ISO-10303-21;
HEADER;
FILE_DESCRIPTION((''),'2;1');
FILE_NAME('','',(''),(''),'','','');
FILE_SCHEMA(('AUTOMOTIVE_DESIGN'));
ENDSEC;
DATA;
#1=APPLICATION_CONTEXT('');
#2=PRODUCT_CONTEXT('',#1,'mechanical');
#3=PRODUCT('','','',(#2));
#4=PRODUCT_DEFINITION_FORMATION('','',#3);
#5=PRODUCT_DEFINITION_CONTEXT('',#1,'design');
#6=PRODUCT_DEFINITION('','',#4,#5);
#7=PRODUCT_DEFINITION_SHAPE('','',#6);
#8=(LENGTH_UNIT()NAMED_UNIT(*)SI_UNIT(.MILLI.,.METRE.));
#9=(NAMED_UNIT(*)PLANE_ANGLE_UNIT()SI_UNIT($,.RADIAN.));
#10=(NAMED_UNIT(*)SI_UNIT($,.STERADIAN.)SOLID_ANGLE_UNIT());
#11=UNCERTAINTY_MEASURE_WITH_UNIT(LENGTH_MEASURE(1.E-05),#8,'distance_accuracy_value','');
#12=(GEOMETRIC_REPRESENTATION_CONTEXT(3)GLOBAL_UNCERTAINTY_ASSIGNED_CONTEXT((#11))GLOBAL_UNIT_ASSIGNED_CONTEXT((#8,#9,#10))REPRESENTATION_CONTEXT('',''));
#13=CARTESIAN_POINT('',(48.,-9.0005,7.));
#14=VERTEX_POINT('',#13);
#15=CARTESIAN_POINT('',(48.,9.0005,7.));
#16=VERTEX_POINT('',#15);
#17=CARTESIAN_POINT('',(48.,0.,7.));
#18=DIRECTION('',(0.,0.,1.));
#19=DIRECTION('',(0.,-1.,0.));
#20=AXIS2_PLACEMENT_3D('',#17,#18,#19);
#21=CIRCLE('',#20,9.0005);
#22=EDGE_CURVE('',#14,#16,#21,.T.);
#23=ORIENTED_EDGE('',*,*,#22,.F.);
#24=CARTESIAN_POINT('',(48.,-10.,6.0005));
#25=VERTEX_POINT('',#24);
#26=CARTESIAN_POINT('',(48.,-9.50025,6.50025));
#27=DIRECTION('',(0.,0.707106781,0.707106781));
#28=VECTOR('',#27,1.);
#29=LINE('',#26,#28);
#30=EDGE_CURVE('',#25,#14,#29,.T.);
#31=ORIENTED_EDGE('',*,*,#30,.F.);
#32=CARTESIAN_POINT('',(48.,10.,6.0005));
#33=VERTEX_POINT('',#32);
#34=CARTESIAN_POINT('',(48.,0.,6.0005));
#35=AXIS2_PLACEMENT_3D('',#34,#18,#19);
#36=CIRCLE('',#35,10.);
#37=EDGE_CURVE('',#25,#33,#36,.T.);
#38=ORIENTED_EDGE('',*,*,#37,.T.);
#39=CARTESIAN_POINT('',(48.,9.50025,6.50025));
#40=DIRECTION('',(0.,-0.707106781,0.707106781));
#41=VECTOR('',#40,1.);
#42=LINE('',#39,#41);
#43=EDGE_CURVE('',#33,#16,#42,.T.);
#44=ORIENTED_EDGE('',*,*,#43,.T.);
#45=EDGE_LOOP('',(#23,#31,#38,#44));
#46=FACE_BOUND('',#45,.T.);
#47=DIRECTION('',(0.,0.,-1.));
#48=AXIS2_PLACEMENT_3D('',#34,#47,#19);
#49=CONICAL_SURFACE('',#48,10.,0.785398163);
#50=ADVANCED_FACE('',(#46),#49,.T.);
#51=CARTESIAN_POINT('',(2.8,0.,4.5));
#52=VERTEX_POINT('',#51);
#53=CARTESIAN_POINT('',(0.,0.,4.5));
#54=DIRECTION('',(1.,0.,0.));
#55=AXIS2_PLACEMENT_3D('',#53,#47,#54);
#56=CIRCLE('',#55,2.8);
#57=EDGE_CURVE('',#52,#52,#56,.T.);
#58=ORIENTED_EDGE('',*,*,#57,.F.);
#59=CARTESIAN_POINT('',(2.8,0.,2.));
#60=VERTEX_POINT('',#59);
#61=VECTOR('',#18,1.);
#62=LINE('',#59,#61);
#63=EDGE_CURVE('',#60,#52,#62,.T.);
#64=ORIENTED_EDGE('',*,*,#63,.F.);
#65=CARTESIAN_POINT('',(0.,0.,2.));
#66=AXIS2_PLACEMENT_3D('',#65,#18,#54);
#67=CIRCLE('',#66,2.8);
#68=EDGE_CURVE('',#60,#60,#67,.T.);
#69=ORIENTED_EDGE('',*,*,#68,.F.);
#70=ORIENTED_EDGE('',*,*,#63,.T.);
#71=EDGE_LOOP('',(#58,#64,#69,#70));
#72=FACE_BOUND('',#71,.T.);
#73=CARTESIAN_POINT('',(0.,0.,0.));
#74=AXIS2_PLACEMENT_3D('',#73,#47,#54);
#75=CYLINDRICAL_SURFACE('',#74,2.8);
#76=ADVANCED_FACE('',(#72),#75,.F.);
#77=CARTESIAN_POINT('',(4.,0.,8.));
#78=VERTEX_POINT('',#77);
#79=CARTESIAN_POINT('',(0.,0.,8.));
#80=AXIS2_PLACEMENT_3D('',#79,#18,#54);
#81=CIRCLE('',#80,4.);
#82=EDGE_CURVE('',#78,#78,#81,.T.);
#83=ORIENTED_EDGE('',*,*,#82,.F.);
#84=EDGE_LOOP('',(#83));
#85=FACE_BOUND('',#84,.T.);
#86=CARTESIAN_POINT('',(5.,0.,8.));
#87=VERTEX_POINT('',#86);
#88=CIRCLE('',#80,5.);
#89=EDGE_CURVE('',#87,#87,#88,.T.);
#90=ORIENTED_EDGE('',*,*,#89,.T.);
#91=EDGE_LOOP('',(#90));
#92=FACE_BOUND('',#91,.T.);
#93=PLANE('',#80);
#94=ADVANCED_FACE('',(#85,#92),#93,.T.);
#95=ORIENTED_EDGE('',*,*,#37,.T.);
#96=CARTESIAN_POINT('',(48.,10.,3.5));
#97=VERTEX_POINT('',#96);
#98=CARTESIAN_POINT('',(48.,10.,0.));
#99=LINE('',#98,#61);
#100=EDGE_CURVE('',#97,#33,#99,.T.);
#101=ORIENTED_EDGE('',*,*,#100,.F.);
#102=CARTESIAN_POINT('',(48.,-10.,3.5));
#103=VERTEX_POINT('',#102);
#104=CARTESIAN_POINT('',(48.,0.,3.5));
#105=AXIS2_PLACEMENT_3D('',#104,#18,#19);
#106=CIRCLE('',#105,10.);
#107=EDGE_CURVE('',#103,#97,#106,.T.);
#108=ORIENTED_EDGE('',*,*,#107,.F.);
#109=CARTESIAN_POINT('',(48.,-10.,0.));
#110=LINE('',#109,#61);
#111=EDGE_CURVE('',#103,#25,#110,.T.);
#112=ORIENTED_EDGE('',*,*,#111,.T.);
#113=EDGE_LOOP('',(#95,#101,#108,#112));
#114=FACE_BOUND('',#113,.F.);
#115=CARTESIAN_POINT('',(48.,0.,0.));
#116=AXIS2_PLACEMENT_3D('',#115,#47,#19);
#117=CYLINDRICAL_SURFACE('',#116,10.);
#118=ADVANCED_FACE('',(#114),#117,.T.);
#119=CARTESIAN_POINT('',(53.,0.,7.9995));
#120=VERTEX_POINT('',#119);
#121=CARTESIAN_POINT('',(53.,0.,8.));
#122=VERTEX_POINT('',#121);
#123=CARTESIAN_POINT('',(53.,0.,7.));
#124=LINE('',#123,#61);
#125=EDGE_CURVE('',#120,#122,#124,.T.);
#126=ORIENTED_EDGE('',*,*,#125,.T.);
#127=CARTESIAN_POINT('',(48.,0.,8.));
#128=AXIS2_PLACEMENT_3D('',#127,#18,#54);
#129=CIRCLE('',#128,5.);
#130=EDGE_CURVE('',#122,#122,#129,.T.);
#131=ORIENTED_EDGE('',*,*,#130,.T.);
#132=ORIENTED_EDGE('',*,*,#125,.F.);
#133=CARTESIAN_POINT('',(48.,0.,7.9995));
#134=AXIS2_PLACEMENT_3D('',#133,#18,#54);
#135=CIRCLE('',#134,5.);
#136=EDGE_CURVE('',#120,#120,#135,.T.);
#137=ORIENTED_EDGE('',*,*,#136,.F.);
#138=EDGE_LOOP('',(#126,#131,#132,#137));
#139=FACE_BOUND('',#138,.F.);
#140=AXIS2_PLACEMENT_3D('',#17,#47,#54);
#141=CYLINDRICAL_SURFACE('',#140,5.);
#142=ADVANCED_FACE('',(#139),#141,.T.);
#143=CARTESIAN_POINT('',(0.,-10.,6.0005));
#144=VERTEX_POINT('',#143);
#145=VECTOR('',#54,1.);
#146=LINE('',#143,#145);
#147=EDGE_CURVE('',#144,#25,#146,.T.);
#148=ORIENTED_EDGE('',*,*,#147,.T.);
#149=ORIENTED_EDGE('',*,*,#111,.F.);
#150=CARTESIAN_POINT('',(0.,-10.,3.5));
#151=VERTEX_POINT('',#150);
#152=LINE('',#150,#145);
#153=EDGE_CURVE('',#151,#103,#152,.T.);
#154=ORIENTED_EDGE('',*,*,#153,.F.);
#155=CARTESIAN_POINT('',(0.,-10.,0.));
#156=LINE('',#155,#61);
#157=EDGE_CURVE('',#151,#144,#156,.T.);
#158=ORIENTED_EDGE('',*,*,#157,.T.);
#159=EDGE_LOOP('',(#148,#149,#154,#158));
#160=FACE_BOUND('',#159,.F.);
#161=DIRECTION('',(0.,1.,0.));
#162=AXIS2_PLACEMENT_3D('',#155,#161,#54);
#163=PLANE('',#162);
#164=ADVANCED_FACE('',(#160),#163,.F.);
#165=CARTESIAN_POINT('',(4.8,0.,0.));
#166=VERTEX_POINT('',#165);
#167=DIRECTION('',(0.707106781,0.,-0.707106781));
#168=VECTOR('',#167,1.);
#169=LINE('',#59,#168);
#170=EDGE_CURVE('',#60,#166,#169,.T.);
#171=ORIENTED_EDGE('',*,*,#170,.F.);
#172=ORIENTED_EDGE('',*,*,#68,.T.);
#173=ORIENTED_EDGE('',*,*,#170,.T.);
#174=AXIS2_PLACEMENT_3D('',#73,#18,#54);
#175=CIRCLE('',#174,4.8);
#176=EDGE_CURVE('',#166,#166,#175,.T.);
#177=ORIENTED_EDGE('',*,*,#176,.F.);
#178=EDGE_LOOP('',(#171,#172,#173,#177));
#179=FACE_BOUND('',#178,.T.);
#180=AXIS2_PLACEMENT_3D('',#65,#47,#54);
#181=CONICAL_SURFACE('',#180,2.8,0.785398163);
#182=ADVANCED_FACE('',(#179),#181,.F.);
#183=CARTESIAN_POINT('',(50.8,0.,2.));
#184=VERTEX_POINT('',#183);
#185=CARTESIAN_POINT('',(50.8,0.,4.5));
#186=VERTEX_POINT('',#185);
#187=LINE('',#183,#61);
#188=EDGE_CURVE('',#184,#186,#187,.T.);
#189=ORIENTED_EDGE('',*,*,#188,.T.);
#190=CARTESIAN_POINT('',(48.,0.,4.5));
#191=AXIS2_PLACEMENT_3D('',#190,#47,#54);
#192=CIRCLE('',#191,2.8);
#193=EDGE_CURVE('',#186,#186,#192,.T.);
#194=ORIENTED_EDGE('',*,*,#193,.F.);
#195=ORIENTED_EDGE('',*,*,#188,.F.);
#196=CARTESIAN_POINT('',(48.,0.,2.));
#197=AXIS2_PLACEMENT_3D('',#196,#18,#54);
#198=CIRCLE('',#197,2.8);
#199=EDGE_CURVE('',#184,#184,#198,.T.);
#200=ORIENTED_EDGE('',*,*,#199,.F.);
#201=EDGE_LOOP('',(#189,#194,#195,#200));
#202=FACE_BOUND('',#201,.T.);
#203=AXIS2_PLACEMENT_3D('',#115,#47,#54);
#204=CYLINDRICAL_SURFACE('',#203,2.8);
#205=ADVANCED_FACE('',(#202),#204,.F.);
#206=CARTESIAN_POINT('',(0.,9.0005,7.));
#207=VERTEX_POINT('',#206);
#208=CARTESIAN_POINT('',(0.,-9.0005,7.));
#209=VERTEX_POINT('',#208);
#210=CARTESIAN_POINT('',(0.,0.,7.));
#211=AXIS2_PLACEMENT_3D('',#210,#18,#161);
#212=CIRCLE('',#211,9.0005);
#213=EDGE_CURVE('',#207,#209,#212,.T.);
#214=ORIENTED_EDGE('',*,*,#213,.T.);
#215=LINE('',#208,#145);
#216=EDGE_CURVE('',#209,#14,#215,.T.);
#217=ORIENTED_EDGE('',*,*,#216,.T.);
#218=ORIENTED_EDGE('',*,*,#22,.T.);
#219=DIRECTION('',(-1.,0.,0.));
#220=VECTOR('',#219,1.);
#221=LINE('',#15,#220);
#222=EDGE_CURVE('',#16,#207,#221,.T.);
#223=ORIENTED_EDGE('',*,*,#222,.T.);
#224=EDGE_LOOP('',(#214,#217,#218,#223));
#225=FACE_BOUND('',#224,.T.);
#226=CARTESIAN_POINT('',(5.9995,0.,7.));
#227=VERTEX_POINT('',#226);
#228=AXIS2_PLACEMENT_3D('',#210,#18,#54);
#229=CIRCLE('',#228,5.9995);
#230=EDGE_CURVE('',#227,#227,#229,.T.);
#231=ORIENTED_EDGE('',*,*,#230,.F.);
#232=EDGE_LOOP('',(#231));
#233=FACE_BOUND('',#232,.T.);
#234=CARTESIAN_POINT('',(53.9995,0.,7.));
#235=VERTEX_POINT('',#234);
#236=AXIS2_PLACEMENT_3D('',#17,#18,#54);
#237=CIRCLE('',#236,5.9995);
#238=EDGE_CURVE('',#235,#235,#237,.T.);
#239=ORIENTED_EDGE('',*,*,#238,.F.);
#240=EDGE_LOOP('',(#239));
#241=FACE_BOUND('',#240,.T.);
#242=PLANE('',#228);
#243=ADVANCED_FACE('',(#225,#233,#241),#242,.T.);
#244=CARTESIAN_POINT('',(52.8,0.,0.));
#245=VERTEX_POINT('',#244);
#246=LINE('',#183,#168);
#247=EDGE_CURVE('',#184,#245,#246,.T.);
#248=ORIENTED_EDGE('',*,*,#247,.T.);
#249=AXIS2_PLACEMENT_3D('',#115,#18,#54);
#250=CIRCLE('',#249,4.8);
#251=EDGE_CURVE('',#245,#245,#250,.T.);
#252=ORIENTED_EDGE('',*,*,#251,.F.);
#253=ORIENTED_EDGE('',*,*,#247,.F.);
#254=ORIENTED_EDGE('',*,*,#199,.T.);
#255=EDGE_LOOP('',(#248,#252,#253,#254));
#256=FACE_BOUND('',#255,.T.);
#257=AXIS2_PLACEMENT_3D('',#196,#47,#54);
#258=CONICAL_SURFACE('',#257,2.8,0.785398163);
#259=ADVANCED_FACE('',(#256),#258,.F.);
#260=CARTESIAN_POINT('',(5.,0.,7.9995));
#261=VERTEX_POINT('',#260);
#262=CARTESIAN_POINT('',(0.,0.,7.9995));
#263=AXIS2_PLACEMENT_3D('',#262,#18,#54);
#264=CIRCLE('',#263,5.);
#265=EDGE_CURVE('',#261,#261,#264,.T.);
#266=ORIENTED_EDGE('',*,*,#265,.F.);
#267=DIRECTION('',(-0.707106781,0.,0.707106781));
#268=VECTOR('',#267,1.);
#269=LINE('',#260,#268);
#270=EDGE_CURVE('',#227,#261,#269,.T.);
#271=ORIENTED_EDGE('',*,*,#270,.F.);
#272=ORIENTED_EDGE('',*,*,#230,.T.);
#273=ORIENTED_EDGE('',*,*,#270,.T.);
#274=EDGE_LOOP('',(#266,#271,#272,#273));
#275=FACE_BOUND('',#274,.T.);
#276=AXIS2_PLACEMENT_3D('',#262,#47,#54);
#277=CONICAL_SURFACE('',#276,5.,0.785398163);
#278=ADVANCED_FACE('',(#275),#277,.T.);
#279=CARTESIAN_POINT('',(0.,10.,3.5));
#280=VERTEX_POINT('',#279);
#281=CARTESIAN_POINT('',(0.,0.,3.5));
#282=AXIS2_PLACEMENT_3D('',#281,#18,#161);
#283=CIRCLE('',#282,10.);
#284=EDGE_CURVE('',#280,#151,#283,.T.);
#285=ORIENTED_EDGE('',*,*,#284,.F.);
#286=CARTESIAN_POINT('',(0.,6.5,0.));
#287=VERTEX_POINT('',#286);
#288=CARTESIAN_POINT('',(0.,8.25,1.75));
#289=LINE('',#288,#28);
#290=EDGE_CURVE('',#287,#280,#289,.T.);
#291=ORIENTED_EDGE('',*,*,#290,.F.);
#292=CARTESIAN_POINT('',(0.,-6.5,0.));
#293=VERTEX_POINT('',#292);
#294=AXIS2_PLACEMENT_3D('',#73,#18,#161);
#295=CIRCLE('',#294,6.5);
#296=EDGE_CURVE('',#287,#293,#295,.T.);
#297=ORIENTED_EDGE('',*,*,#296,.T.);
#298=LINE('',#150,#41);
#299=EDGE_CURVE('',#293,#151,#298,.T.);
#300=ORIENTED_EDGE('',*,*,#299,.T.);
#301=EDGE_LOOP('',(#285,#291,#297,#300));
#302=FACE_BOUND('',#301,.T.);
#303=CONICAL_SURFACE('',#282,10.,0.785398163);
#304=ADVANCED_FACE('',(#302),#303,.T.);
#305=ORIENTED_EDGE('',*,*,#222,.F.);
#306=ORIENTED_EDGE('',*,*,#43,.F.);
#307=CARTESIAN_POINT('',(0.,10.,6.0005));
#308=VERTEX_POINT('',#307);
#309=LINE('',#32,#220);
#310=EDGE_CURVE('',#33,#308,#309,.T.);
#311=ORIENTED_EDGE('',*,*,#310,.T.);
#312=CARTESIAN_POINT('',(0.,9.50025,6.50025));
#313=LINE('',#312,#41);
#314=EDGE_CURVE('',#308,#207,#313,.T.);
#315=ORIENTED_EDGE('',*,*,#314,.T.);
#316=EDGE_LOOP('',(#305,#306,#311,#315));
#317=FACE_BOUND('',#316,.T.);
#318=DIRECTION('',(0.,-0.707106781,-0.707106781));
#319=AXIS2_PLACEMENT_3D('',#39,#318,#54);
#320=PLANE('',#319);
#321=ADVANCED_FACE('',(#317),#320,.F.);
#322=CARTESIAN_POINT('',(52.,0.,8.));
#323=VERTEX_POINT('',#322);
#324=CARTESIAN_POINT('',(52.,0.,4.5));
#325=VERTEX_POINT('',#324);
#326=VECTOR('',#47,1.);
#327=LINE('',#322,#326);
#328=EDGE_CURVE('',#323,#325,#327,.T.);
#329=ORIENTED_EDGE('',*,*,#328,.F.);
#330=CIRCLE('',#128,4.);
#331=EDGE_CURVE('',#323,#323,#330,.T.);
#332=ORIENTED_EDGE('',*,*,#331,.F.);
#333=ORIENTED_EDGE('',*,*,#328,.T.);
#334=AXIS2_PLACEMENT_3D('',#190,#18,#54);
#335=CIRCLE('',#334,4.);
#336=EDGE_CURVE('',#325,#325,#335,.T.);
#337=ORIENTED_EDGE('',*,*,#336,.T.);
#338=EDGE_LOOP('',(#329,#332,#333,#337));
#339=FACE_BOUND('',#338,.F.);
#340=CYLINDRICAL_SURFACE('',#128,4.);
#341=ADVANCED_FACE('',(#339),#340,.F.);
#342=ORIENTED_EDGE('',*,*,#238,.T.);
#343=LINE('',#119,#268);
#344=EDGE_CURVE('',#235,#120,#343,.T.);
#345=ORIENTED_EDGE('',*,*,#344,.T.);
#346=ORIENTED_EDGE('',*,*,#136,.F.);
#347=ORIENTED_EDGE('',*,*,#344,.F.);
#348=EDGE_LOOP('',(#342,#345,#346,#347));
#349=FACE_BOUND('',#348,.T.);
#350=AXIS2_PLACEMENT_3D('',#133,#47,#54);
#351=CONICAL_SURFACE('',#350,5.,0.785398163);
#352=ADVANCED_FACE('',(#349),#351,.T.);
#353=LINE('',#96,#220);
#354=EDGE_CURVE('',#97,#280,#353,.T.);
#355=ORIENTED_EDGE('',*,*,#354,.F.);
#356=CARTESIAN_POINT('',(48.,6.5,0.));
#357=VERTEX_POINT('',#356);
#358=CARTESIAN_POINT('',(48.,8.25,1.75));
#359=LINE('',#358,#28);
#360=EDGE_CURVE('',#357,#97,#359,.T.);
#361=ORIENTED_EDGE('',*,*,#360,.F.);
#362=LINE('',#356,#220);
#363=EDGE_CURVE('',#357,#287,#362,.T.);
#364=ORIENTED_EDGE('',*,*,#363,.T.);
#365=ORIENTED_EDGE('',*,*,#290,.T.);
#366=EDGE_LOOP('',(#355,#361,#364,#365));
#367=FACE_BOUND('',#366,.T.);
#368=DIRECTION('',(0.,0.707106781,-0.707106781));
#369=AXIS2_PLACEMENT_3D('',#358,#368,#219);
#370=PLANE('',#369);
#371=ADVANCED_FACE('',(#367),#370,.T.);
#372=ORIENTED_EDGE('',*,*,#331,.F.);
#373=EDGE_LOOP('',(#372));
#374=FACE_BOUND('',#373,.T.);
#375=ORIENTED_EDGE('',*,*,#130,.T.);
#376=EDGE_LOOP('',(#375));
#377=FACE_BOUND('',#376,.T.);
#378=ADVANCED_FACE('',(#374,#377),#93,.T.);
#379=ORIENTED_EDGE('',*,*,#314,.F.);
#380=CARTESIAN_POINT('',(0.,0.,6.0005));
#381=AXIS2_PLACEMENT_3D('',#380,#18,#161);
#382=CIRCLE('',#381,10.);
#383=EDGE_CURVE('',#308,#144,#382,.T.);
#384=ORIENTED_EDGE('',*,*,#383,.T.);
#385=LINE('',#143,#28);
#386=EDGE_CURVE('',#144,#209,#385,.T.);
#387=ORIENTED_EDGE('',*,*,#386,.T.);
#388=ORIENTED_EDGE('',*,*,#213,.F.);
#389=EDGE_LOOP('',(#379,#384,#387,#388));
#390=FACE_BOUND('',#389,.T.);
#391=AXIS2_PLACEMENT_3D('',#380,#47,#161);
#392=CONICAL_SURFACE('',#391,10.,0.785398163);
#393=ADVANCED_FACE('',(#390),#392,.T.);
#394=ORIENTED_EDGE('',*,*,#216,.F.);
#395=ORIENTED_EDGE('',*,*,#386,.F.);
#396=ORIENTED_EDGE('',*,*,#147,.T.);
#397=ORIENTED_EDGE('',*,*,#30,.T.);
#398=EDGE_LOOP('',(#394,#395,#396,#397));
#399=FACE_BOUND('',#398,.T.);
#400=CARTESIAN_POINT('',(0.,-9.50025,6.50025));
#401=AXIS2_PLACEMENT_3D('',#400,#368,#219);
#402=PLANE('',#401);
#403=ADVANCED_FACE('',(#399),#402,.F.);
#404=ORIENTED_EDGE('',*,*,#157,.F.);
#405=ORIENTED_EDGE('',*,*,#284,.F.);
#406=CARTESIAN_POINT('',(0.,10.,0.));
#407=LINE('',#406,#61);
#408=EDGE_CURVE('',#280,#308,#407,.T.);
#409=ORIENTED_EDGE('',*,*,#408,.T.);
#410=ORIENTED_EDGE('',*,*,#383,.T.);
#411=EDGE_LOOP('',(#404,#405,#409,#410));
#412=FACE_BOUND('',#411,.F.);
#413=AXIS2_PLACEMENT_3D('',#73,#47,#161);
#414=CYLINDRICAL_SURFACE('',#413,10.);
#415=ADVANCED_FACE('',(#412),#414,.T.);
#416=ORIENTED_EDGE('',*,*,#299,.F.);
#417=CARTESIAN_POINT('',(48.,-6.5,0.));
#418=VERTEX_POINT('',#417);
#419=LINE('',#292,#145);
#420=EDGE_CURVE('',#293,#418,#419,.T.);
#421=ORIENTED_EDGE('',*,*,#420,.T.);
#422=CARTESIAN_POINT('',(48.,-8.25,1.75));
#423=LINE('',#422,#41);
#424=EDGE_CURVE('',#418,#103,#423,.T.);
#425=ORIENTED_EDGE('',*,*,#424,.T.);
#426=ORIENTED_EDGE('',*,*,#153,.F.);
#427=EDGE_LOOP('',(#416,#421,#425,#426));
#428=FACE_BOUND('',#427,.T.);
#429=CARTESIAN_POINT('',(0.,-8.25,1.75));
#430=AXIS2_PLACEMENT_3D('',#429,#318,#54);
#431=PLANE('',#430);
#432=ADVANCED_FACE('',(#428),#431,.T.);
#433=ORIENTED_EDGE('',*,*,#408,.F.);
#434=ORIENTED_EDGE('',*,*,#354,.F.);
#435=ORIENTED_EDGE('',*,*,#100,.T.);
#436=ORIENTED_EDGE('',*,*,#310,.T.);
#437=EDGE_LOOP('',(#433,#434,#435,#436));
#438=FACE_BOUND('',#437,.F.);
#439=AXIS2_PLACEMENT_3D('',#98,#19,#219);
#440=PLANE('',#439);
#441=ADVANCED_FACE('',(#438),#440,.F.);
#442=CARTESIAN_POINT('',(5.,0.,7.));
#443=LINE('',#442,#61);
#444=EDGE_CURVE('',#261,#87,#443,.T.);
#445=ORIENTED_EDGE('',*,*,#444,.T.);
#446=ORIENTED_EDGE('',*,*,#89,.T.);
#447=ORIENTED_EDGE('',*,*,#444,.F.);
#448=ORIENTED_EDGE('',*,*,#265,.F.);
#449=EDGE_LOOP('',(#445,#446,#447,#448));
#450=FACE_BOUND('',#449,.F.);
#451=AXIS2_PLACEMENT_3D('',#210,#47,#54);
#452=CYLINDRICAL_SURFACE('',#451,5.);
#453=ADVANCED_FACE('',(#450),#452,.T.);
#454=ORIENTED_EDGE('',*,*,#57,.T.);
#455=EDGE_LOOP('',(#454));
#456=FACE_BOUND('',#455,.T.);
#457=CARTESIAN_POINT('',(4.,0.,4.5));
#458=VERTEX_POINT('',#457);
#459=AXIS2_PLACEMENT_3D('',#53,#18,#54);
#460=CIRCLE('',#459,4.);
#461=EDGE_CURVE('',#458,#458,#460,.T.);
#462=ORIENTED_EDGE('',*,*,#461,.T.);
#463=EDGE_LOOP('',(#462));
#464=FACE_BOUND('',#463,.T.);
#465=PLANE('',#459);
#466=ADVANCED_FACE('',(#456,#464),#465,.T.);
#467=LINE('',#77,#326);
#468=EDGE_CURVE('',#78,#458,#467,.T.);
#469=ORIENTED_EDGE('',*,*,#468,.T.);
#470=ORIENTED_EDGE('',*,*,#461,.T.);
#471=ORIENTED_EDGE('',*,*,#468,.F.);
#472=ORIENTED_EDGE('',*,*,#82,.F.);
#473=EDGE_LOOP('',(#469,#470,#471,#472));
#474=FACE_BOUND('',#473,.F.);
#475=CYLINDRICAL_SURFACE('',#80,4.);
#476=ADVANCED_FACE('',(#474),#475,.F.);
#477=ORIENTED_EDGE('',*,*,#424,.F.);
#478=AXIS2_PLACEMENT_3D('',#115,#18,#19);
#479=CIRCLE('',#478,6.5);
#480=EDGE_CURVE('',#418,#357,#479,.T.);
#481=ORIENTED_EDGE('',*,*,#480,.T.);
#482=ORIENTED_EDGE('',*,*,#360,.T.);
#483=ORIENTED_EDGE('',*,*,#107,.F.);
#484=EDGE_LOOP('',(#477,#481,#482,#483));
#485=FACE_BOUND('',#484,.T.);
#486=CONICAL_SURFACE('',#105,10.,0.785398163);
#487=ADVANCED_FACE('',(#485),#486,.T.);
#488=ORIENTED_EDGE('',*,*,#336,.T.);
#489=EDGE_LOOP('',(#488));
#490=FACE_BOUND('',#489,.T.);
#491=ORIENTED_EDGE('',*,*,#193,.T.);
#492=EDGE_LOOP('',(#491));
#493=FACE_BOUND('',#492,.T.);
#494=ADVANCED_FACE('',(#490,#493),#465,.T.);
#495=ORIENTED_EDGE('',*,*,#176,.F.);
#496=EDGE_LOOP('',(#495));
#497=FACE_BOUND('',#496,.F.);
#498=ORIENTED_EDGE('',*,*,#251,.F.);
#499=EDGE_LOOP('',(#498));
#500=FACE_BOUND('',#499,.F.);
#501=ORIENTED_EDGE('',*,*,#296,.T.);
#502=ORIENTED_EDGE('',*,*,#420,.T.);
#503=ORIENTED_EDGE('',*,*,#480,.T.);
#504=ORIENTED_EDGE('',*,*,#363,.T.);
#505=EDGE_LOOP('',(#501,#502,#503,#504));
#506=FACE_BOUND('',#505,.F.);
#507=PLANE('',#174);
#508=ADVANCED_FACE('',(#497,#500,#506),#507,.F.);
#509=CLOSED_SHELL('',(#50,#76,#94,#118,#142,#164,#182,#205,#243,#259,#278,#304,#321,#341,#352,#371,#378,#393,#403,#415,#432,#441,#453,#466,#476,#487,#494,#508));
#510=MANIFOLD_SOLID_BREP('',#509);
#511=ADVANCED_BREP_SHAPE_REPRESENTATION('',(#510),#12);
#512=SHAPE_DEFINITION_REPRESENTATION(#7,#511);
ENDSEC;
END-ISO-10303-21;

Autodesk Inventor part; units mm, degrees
ref_plane "YZ Plane" through (0, 0, 0) normal (1, 0, 0) x (0, 1, 0)
ref_plane "XZ Plane" through (0, 0, 0) normal (0, 1, 0) x (-1, 0, 0)
ref_plane "XY Plane" through (0, 0, 0) normal (0, 0, 1) x (1, 0, 0)
sketch "Эскиз1" plane through (0, 0, 0) normal (0, 0, 1) x (1, 0, 0)
  line L0 (0, 0) -> (48, 0) construction
  line L1 (0, -10) -> (48, -10)
  line L2 (48, 10) -> (0, 10)
  arc A0 (0, 10) -> (0, -10) centre (0, 0) ccw
  arc A1 (48, -10) -> (48, 10) centre (48, 0) ccw
  circle A2 centre (0, 0) radius 2.8
  circle A3 centre (48, 0) radius 2.8
  point P0 (24, 0)
  dimension "d0" = 48
  dimension "d1" = 20
  dimension "d2" = 5.6
  dimension "d3" = 5.6
extrude "Выдавливание1" add sketch "Эскиз1" along normal blind 7
chamfer "Фаска1" distance 2 angle 45 2 edges at (-2.8, 0, 0) (45.2, 0, 0)
chamfer "Фаска2" distance 3.5 angle 45 4 edges at (24, 10, 0) (-10, 0, 0) (24, -10, 0) (58, 0, 0)
sketch "Эскиз3" plane through (0, 0, 7) normal (0, 0, 1) x (1, 0, 0)
  circle A0 centre (0, 0) radius 5
  circle A1 centre (48, 0) radius 5
  circle A2 centre (0, 0) radius 2.8 projected
  circle A3 centre (48, 0) radius 2.8 projected
  dimension "d19" = 10
extrude "Выдавливание3" add sketch "Эскиз3" along normal blind 1
chamfer "Фаска4" distance 1 angle 45 6 edges at (24, 10, 7) (-10, 0, 7) (24, -10, 7) (58, 0, 7) (43, 0, 7) (-5, 0, 7)
sketch "Эскиз4" plane through (0, 0, 8) normal (0, 0, 1) x (1, 0, 0)
  circle A0 centre (0, 0) radius 4
  circle A1 centre (48, 0) radius 2.8 projected
  circle A2 centre (48, 0) radius 4
  dimension "d26" = 8
extrude "Выдавливание4" cut sketch "Эскиз4" against normal blind 3.5 contours A0 | A1 | A2
properties part number "Распорка роликов натяжителя"
